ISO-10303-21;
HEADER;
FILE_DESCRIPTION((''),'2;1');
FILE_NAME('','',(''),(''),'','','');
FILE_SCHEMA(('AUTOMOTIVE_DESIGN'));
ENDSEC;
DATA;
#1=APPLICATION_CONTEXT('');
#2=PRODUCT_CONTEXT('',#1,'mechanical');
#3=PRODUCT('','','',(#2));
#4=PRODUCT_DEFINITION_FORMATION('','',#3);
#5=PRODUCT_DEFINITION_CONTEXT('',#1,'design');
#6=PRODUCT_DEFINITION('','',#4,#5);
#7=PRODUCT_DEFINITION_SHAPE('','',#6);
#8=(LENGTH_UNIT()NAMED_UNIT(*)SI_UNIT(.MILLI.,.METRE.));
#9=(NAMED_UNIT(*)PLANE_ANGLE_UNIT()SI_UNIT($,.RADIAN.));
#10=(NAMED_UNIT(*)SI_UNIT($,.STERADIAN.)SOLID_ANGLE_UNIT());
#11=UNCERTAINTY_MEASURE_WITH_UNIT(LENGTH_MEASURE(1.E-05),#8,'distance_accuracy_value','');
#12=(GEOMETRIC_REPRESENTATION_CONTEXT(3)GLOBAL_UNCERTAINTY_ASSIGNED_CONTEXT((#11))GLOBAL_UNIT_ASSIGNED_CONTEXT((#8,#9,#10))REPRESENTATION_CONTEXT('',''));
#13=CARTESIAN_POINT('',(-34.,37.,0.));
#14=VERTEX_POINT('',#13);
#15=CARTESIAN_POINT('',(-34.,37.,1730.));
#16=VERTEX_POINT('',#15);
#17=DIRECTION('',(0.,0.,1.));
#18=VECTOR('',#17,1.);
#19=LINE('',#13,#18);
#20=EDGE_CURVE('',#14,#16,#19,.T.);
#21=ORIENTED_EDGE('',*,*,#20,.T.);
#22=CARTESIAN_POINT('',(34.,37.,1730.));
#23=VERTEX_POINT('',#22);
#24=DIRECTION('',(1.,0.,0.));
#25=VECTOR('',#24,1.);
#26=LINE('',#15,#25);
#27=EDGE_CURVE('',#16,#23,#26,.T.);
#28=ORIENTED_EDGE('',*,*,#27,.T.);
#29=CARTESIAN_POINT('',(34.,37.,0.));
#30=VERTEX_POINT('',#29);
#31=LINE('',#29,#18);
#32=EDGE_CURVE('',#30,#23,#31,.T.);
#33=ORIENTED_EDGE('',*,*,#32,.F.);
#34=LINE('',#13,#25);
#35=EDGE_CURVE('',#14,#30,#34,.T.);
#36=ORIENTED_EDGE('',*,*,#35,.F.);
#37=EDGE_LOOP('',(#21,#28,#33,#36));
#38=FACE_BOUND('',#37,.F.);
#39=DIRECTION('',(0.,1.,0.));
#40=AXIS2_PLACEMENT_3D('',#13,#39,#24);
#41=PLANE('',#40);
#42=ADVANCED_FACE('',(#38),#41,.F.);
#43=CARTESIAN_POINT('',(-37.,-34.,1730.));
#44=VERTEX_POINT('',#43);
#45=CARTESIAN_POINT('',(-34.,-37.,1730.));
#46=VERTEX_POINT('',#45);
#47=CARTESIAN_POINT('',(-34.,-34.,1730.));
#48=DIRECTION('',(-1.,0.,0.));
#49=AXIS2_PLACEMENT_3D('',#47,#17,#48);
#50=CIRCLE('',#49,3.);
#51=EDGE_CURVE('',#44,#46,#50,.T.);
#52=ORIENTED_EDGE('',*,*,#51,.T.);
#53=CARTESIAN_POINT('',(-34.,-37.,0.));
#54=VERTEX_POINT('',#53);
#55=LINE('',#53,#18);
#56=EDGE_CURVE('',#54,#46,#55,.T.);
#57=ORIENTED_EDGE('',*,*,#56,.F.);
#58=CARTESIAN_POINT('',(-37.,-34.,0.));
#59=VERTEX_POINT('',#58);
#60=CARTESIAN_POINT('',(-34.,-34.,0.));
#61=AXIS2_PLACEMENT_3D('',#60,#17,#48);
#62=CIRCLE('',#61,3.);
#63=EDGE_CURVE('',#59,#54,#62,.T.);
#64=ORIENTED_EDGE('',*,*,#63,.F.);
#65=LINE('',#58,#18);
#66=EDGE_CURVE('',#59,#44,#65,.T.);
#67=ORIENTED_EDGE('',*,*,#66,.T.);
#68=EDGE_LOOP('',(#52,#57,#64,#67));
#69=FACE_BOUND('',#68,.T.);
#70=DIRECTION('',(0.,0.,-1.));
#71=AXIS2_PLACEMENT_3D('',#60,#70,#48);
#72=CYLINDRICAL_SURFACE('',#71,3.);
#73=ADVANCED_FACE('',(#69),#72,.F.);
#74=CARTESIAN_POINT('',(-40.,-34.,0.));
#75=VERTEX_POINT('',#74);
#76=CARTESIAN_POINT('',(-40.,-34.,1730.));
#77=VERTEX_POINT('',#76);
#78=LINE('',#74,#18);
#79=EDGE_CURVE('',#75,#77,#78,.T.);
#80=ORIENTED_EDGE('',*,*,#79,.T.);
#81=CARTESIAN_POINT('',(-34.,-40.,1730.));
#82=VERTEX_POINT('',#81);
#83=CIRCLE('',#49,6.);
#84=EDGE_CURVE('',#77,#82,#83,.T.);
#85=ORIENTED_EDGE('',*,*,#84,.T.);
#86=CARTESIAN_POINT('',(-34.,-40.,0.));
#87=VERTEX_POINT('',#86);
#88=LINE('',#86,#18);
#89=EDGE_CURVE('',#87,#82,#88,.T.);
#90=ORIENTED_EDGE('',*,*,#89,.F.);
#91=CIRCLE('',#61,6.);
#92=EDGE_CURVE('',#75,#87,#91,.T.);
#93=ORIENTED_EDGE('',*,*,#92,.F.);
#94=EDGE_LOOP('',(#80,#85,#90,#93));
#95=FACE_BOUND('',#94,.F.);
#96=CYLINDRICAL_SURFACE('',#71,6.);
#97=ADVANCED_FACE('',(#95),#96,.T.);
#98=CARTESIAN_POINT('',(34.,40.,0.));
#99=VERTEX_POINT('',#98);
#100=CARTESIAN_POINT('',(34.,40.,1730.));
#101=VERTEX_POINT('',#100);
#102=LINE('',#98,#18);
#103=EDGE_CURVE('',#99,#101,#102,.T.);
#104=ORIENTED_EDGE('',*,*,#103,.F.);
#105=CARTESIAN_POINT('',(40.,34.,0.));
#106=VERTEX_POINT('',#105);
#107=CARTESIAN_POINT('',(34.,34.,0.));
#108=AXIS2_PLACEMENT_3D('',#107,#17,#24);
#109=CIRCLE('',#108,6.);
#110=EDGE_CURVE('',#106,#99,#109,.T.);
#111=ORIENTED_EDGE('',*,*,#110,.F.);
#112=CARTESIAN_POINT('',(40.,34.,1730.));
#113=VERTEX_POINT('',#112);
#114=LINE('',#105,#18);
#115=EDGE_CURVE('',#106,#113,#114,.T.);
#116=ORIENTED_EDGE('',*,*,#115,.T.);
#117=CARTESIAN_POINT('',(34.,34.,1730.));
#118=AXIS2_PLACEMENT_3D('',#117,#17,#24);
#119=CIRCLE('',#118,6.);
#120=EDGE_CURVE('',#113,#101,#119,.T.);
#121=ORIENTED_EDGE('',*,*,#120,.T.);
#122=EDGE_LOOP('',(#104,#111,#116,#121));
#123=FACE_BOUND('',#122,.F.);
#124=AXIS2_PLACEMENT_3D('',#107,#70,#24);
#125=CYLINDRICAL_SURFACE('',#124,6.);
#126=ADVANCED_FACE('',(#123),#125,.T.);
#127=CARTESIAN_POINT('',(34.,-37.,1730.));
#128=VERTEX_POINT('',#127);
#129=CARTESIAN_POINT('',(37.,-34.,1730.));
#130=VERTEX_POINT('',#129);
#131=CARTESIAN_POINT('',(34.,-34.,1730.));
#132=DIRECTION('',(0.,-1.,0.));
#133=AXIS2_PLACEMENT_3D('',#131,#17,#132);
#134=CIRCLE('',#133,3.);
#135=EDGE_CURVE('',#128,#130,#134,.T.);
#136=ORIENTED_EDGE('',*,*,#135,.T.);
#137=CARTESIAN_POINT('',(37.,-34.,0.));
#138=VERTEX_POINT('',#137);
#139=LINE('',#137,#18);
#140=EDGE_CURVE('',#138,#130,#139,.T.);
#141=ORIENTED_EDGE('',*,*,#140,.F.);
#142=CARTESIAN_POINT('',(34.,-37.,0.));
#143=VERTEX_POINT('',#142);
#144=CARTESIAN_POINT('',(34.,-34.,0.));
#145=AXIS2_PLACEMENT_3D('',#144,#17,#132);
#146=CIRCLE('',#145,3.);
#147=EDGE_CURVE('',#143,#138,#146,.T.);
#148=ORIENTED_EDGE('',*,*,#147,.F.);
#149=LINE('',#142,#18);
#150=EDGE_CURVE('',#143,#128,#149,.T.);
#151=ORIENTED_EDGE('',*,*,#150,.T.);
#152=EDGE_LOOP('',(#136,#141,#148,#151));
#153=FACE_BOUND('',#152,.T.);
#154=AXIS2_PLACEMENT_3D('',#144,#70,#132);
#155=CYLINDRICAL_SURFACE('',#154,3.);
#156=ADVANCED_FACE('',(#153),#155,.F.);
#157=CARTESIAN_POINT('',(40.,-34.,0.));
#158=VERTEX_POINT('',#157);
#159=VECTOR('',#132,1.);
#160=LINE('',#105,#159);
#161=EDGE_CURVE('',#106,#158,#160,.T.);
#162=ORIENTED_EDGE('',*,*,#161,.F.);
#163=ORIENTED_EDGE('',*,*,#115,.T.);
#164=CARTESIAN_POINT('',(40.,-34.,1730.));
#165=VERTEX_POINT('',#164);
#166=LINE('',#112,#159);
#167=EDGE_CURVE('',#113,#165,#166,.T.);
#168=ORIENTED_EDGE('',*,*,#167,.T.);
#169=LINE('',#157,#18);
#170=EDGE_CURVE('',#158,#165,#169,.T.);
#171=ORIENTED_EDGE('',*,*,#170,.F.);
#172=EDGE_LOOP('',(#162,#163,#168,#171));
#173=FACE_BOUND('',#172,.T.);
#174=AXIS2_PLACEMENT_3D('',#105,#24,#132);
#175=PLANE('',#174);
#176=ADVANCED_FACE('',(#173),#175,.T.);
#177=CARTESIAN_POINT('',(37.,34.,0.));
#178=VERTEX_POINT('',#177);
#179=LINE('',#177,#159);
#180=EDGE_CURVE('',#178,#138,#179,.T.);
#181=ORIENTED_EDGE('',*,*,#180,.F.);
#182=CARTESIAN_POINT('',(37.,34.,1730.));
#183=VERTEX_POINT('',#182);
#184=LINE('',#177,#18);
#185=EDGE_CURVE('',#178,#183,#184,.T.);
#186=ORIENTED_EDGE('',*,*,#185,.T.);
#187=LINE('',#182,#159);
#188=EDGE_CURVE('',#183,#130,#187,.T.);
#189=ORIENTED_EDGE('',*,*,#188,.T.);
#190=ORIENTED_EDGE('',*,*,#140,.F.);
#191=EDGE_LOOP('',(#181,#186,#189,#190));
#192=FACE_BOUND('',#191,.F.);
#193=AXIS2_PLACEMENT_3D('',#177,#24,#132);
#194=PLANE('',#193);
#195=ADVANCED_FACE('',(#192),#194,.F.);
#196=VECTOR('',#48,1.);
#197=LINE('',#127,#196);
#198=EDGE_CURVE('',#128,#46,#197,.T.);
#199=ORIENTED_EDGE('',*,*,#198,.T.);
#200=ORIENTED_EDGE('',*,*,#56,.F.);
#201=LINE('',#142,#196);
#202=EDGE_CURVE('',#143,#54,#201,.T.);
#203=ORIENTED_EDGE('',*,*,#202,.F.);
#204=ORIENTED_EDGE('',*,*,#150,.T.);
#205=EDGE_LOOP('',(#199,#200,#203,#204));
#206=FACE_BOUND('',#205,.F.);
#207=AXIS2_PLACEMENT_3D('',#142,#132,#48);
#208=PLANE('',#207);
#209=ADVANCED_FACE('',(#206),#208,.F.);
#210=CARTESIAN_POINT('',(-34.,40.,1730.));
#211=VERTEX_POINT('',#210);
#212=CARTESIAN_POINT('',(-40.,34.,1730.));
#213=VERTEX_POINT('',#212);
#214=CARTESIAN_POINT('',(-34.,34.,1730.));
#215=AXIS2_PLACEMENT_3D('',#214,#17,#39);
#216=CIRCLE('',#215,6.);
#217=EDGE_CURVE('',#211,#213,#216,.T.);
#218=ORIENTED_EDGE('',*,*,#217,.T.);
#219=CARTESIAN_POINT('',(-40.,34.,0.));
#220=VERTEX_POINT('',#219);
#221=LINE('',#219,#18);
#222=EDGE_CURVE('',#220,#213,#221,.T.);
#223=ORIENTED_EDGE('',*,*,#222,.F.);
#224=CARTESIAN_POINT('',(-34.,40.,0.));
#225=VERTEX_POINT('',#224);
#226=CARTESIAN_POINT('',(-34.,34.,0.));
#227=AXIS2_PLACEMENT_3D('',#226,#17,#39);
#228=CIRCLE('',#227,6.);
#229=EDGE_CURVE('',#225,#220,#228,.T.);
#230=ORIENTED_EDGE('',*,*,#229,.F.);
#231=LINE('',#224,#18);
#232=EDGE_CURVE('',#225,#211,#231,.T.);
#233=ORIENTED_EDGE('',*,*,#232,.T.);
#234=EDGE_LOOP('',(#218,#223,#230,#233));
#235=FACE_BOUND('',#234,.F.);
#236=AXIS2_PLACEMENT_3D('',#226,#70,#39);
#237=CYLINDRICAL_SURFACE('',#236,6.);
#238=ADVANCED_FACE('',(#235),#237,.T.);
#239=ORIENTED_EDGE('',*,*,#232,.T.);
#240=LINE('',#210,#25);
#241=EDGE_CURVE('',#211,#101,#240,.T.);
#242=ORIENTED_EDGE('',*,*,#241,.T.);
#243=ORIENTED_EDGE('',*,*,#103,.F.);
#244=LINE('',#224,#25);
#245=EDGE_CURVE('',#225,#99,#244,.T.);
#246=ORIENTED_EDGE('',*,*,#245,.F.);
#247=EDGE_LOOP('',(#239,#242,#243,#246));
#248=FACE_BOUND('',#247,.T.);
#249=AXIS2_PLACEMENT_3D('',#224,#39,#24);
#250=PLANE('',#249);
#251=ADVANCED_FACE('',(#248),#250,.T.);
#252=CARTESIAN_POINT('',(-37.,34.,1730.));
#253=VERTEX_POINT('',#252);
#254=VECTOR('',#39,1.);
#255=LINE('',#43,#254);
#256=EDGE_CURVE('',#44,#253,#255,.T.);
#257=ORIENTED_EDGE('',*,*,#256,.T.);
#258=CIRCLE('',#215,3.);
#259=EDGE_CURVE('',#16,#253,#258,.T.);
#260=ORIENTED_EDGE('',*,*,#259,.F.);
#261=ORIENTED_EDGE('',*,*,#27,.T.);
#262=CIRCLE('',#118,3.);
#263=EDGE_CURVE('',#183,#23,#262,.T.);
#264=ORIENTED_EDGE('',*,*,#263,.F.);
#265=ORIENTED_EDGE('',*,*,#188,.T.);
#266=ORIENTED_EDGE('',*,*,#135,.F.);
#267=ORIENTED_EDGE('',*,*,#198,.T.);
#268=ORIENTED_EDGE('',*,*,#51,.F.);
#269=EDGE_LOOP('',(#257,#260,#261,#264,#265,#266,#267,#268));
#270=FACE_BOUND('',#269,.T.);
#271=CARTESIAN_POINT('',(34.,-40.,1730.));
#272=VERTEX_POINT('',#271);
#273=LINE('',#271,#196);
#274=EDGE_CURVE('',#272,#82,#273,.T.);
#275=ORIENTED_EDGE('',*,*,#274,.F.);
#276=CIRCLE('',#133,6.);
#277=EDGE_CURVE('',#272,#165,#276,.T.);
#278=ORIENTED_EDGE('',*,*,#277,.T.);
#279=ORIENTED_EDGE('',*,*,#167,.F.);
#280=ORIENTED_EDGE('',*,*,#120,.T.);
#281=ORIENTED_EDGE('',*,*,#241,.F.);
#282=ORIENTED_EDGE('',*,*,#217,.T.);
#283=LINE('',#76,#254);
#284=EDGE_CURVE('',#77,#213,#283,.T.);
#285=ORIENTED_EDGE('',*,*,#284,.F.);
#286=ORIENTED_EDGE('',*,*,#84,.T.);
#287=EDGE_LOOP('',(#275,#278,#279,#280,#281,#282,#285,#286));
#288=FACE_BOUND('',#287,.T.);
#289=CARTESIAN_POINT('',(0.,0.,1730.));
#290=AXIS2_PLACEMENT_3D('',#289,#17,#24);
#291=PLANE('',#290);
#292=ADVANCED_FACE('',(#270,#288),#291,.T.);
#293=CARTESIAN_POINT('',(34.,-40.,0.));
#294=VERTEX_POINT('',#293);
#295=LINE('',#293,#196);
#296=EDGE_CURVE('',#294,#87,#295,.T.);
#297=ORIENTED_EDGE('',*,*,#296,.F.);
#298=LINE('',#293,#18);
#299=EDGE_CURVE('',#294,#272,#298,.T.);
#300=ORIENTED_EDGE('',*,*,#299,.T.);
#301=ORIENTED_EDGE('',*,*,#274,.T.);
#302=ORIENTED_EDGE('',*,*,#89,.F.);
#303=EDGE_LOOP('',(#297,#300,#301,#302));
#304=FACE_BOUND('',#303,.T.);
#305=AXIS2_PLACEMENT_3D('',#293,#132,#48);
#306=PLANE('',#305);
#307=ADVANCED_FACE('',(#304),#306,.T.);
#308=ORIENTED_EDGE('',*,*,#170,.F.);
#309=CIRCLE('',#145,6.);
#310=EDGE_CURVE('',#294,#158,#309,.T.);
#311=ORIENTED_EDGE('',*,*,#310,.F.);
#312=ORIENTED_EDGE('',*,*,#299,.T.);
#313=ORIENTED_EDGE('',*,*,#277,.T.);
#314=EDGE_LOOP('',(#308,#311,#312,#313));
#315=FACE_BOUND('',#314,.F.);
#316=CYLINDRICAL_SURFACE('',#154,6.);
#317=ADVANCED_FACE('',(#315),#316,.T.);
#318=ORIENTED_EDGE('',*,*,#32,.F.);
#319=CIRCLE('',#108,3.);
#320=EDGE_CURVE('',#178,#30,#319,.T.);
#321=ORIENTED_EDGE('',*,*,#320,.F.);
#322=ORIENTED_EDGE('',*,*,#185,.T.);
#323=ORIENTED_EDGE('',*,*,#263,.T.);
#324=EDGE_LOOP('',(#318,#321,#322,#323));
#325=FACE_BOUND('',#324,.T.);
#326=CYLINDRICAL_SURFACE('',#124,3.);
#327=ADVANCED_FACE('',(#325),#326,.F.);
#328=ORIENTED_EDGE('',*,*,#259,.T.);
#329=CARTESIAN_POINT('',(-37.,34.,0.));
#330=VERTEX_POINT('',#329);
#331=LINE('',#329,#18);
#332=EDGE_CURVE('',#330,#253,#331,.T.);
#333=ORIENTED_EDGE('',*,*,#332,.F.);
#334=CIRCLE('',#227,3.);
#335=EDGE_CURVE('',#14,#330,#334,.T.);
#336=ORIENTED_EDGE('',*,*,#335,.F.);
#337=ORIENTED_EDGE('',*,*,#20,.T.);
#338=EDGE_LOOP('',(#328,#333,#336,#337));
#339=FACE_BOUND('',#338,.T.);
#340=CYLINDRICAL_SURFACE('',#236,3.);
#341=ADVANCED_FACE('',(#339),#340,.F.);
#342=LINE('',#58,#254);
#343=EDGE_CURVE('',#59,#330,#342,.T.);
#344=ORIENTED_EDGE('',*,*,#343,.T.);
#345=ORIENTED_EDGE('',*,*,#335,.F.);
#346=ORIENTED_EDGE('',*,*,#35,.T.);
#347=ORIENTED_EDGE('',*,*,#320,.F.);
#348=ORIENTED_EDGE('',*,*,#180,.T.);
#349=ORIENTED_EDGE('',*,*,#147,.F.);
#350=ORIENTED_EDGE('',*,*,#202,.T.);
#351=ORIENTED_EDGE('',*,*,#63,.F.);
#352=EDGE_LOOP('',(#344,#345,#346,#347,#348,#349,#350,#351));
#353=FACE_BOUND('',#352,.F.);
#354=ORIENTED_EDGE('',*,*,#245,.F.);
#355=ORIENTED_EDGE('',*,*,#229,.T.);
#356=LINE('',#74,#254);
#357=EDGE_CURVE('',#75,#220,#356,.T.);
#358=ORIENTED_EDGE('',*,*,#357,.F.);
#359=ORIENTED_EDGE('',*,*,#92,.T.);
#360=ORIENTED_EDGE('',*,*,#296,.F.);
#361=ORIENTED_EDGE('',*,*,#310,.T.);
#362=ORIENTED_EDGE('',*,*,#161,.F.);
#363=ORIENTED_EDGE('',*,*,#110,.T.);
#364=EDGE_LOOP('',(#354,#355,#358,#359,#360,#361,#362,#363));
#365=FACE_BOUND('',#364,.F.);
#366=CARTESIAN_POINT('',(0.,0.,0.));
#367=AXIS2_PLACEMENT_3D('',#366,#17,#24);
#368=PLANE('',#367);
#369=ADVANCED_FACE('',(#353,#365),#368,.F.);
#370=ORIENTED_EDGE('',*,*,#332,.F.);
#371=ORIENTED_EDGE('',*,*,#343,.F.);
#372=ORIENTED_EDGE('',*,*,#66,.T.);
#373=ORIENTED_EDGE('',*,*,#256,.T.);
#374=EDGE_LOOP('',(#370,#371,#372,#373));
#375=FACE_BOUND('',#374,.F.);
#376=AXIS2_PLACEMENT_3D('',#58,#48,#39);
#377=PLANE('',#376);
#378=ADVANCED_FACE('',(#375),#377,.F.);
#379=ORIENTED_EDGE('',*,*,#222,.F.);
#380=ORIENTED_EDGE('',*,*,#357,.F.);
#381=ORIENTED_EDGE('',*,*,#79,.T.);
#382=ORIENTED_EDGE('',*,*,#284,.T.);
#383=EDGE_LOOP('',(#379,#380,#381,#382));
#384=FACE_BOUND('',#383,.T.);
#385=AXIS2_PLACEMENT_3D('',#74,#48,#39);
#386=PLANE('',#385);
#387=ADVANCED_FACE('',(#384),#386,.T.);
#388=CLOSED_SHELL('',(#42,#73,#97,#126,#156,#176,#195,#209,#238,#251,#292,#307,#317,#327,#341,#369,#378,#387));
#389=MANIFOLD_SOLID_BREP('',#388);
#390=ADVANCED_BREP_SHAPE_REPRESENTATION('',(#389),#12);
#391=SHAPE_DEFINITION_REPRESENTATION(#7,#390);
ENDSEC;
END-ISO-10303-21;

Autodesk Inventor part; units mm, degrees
ref_plane "YZ Plane" through (0, 0, 0) normal (1, 0, 0) x (0, 1, 0)
ref_plane "Start Plane" through (0, 0, 0) normal (0, 0, 1) x (1, 0, 0)
ref_plane "End Plane" through (0, 0, 1730) normal (0, 0, 1) x (1, 0, 0)
sketch "Sketch" plane through (0, 0, 0) normal (0, 0, 1) x (1, 0, 0)
  line L0 (-40, -34) -> (-40, 34)
  line L1 (-34, 40) -> (34, 40)
  line L2 (40, 34) -> (40, -34)
  line L3 (34, -40) -> (-34, -40)
  arc A0 (-40, -34) -> (-34, -40) centre (-34, -34) ccw
  arc A1 (40, 34) -> (34, 40) centre (34, 34) ccw
  arc A2 (-34, 40) -> (-40, 34) centre (-34, 34) ccw
  arc A3 (34, -40) -> (40, -34) centre (34, -34) ccw
  arc A4 (-34, 37) -> (-37, 34) centre (-34, 34) ccw
  line L4 (-34, 37) -> (34, 37)
  arc A5 (37, 34) -> (34, 37) centre (34, 34) ccw
  line L5 (37, 34) -> (37, -34)
  arc A6 (34, -37) -> (37, -34) centre (34, -34) ccw
  line L6 (34, -37) -> (-34, -37)
  arc A7 (-37, -34) -> (-34, -37) centre (-34, -34) ccw
  line L7 (-37, -34) -> (-37, 34)
  line L8 (0, 57.7397) -> (0, -57.7397) construction
  line L9 (-57.7397, 0) -> (57.7397, 0) construction
  dimension "d7" = 6
  dimension "d9" = 80
  dimension "d11" = 80
  dimension "d12" = 3
  dimension "d15" = 40
  dimension "d16" = 40
extrude "Body" add sketch "Sketch" along normal up to surface (1730 mm away) from surface at 0
sketch "Sketch3" plane through (0, 0, 0) normal (0, 0, 1) x (1, 0, 0)
  line L0 (0, 0) -> (10, 0)
ref_plane "Work Plane3" through (0, 0, 0) normal (0, -1, 0) x (1, 0, 0)
sketch "Sketch4" plane through (0, 0, 0) normal (0, -1, 0) x (1, 0, 0)
  line L0 (-2, 0) -> (12, 0) projected
  line L1 (-2, 1730) -> (12, 1730) projected
  dimension "d18" = 1730
equation "\"d7\" = G_IR"
equation "\"d9\" = G_W"
equation "\"d11\" = G_H"
equation "\"d12\" = G_T"
equation "\"d15\" = 0.5 * d9"
equation "\"d16\" = 0.5 * d11"
equation "\"d3\" = G_L"
equation "\"G_W\" = 80"
equation "\"G_H\" = 80"
equation "\"G_T\" = 3"
equation "\"G_IR\" = 6"
equation "\"G_L\" = d18"
equation "\"G_OFFSET_START\" = 0"
equation "\"G_OFFSET_END\" = 0"
properties part number "ISO 10799-2 - 80x80x3 - 1730" material "Steel, Mild"
